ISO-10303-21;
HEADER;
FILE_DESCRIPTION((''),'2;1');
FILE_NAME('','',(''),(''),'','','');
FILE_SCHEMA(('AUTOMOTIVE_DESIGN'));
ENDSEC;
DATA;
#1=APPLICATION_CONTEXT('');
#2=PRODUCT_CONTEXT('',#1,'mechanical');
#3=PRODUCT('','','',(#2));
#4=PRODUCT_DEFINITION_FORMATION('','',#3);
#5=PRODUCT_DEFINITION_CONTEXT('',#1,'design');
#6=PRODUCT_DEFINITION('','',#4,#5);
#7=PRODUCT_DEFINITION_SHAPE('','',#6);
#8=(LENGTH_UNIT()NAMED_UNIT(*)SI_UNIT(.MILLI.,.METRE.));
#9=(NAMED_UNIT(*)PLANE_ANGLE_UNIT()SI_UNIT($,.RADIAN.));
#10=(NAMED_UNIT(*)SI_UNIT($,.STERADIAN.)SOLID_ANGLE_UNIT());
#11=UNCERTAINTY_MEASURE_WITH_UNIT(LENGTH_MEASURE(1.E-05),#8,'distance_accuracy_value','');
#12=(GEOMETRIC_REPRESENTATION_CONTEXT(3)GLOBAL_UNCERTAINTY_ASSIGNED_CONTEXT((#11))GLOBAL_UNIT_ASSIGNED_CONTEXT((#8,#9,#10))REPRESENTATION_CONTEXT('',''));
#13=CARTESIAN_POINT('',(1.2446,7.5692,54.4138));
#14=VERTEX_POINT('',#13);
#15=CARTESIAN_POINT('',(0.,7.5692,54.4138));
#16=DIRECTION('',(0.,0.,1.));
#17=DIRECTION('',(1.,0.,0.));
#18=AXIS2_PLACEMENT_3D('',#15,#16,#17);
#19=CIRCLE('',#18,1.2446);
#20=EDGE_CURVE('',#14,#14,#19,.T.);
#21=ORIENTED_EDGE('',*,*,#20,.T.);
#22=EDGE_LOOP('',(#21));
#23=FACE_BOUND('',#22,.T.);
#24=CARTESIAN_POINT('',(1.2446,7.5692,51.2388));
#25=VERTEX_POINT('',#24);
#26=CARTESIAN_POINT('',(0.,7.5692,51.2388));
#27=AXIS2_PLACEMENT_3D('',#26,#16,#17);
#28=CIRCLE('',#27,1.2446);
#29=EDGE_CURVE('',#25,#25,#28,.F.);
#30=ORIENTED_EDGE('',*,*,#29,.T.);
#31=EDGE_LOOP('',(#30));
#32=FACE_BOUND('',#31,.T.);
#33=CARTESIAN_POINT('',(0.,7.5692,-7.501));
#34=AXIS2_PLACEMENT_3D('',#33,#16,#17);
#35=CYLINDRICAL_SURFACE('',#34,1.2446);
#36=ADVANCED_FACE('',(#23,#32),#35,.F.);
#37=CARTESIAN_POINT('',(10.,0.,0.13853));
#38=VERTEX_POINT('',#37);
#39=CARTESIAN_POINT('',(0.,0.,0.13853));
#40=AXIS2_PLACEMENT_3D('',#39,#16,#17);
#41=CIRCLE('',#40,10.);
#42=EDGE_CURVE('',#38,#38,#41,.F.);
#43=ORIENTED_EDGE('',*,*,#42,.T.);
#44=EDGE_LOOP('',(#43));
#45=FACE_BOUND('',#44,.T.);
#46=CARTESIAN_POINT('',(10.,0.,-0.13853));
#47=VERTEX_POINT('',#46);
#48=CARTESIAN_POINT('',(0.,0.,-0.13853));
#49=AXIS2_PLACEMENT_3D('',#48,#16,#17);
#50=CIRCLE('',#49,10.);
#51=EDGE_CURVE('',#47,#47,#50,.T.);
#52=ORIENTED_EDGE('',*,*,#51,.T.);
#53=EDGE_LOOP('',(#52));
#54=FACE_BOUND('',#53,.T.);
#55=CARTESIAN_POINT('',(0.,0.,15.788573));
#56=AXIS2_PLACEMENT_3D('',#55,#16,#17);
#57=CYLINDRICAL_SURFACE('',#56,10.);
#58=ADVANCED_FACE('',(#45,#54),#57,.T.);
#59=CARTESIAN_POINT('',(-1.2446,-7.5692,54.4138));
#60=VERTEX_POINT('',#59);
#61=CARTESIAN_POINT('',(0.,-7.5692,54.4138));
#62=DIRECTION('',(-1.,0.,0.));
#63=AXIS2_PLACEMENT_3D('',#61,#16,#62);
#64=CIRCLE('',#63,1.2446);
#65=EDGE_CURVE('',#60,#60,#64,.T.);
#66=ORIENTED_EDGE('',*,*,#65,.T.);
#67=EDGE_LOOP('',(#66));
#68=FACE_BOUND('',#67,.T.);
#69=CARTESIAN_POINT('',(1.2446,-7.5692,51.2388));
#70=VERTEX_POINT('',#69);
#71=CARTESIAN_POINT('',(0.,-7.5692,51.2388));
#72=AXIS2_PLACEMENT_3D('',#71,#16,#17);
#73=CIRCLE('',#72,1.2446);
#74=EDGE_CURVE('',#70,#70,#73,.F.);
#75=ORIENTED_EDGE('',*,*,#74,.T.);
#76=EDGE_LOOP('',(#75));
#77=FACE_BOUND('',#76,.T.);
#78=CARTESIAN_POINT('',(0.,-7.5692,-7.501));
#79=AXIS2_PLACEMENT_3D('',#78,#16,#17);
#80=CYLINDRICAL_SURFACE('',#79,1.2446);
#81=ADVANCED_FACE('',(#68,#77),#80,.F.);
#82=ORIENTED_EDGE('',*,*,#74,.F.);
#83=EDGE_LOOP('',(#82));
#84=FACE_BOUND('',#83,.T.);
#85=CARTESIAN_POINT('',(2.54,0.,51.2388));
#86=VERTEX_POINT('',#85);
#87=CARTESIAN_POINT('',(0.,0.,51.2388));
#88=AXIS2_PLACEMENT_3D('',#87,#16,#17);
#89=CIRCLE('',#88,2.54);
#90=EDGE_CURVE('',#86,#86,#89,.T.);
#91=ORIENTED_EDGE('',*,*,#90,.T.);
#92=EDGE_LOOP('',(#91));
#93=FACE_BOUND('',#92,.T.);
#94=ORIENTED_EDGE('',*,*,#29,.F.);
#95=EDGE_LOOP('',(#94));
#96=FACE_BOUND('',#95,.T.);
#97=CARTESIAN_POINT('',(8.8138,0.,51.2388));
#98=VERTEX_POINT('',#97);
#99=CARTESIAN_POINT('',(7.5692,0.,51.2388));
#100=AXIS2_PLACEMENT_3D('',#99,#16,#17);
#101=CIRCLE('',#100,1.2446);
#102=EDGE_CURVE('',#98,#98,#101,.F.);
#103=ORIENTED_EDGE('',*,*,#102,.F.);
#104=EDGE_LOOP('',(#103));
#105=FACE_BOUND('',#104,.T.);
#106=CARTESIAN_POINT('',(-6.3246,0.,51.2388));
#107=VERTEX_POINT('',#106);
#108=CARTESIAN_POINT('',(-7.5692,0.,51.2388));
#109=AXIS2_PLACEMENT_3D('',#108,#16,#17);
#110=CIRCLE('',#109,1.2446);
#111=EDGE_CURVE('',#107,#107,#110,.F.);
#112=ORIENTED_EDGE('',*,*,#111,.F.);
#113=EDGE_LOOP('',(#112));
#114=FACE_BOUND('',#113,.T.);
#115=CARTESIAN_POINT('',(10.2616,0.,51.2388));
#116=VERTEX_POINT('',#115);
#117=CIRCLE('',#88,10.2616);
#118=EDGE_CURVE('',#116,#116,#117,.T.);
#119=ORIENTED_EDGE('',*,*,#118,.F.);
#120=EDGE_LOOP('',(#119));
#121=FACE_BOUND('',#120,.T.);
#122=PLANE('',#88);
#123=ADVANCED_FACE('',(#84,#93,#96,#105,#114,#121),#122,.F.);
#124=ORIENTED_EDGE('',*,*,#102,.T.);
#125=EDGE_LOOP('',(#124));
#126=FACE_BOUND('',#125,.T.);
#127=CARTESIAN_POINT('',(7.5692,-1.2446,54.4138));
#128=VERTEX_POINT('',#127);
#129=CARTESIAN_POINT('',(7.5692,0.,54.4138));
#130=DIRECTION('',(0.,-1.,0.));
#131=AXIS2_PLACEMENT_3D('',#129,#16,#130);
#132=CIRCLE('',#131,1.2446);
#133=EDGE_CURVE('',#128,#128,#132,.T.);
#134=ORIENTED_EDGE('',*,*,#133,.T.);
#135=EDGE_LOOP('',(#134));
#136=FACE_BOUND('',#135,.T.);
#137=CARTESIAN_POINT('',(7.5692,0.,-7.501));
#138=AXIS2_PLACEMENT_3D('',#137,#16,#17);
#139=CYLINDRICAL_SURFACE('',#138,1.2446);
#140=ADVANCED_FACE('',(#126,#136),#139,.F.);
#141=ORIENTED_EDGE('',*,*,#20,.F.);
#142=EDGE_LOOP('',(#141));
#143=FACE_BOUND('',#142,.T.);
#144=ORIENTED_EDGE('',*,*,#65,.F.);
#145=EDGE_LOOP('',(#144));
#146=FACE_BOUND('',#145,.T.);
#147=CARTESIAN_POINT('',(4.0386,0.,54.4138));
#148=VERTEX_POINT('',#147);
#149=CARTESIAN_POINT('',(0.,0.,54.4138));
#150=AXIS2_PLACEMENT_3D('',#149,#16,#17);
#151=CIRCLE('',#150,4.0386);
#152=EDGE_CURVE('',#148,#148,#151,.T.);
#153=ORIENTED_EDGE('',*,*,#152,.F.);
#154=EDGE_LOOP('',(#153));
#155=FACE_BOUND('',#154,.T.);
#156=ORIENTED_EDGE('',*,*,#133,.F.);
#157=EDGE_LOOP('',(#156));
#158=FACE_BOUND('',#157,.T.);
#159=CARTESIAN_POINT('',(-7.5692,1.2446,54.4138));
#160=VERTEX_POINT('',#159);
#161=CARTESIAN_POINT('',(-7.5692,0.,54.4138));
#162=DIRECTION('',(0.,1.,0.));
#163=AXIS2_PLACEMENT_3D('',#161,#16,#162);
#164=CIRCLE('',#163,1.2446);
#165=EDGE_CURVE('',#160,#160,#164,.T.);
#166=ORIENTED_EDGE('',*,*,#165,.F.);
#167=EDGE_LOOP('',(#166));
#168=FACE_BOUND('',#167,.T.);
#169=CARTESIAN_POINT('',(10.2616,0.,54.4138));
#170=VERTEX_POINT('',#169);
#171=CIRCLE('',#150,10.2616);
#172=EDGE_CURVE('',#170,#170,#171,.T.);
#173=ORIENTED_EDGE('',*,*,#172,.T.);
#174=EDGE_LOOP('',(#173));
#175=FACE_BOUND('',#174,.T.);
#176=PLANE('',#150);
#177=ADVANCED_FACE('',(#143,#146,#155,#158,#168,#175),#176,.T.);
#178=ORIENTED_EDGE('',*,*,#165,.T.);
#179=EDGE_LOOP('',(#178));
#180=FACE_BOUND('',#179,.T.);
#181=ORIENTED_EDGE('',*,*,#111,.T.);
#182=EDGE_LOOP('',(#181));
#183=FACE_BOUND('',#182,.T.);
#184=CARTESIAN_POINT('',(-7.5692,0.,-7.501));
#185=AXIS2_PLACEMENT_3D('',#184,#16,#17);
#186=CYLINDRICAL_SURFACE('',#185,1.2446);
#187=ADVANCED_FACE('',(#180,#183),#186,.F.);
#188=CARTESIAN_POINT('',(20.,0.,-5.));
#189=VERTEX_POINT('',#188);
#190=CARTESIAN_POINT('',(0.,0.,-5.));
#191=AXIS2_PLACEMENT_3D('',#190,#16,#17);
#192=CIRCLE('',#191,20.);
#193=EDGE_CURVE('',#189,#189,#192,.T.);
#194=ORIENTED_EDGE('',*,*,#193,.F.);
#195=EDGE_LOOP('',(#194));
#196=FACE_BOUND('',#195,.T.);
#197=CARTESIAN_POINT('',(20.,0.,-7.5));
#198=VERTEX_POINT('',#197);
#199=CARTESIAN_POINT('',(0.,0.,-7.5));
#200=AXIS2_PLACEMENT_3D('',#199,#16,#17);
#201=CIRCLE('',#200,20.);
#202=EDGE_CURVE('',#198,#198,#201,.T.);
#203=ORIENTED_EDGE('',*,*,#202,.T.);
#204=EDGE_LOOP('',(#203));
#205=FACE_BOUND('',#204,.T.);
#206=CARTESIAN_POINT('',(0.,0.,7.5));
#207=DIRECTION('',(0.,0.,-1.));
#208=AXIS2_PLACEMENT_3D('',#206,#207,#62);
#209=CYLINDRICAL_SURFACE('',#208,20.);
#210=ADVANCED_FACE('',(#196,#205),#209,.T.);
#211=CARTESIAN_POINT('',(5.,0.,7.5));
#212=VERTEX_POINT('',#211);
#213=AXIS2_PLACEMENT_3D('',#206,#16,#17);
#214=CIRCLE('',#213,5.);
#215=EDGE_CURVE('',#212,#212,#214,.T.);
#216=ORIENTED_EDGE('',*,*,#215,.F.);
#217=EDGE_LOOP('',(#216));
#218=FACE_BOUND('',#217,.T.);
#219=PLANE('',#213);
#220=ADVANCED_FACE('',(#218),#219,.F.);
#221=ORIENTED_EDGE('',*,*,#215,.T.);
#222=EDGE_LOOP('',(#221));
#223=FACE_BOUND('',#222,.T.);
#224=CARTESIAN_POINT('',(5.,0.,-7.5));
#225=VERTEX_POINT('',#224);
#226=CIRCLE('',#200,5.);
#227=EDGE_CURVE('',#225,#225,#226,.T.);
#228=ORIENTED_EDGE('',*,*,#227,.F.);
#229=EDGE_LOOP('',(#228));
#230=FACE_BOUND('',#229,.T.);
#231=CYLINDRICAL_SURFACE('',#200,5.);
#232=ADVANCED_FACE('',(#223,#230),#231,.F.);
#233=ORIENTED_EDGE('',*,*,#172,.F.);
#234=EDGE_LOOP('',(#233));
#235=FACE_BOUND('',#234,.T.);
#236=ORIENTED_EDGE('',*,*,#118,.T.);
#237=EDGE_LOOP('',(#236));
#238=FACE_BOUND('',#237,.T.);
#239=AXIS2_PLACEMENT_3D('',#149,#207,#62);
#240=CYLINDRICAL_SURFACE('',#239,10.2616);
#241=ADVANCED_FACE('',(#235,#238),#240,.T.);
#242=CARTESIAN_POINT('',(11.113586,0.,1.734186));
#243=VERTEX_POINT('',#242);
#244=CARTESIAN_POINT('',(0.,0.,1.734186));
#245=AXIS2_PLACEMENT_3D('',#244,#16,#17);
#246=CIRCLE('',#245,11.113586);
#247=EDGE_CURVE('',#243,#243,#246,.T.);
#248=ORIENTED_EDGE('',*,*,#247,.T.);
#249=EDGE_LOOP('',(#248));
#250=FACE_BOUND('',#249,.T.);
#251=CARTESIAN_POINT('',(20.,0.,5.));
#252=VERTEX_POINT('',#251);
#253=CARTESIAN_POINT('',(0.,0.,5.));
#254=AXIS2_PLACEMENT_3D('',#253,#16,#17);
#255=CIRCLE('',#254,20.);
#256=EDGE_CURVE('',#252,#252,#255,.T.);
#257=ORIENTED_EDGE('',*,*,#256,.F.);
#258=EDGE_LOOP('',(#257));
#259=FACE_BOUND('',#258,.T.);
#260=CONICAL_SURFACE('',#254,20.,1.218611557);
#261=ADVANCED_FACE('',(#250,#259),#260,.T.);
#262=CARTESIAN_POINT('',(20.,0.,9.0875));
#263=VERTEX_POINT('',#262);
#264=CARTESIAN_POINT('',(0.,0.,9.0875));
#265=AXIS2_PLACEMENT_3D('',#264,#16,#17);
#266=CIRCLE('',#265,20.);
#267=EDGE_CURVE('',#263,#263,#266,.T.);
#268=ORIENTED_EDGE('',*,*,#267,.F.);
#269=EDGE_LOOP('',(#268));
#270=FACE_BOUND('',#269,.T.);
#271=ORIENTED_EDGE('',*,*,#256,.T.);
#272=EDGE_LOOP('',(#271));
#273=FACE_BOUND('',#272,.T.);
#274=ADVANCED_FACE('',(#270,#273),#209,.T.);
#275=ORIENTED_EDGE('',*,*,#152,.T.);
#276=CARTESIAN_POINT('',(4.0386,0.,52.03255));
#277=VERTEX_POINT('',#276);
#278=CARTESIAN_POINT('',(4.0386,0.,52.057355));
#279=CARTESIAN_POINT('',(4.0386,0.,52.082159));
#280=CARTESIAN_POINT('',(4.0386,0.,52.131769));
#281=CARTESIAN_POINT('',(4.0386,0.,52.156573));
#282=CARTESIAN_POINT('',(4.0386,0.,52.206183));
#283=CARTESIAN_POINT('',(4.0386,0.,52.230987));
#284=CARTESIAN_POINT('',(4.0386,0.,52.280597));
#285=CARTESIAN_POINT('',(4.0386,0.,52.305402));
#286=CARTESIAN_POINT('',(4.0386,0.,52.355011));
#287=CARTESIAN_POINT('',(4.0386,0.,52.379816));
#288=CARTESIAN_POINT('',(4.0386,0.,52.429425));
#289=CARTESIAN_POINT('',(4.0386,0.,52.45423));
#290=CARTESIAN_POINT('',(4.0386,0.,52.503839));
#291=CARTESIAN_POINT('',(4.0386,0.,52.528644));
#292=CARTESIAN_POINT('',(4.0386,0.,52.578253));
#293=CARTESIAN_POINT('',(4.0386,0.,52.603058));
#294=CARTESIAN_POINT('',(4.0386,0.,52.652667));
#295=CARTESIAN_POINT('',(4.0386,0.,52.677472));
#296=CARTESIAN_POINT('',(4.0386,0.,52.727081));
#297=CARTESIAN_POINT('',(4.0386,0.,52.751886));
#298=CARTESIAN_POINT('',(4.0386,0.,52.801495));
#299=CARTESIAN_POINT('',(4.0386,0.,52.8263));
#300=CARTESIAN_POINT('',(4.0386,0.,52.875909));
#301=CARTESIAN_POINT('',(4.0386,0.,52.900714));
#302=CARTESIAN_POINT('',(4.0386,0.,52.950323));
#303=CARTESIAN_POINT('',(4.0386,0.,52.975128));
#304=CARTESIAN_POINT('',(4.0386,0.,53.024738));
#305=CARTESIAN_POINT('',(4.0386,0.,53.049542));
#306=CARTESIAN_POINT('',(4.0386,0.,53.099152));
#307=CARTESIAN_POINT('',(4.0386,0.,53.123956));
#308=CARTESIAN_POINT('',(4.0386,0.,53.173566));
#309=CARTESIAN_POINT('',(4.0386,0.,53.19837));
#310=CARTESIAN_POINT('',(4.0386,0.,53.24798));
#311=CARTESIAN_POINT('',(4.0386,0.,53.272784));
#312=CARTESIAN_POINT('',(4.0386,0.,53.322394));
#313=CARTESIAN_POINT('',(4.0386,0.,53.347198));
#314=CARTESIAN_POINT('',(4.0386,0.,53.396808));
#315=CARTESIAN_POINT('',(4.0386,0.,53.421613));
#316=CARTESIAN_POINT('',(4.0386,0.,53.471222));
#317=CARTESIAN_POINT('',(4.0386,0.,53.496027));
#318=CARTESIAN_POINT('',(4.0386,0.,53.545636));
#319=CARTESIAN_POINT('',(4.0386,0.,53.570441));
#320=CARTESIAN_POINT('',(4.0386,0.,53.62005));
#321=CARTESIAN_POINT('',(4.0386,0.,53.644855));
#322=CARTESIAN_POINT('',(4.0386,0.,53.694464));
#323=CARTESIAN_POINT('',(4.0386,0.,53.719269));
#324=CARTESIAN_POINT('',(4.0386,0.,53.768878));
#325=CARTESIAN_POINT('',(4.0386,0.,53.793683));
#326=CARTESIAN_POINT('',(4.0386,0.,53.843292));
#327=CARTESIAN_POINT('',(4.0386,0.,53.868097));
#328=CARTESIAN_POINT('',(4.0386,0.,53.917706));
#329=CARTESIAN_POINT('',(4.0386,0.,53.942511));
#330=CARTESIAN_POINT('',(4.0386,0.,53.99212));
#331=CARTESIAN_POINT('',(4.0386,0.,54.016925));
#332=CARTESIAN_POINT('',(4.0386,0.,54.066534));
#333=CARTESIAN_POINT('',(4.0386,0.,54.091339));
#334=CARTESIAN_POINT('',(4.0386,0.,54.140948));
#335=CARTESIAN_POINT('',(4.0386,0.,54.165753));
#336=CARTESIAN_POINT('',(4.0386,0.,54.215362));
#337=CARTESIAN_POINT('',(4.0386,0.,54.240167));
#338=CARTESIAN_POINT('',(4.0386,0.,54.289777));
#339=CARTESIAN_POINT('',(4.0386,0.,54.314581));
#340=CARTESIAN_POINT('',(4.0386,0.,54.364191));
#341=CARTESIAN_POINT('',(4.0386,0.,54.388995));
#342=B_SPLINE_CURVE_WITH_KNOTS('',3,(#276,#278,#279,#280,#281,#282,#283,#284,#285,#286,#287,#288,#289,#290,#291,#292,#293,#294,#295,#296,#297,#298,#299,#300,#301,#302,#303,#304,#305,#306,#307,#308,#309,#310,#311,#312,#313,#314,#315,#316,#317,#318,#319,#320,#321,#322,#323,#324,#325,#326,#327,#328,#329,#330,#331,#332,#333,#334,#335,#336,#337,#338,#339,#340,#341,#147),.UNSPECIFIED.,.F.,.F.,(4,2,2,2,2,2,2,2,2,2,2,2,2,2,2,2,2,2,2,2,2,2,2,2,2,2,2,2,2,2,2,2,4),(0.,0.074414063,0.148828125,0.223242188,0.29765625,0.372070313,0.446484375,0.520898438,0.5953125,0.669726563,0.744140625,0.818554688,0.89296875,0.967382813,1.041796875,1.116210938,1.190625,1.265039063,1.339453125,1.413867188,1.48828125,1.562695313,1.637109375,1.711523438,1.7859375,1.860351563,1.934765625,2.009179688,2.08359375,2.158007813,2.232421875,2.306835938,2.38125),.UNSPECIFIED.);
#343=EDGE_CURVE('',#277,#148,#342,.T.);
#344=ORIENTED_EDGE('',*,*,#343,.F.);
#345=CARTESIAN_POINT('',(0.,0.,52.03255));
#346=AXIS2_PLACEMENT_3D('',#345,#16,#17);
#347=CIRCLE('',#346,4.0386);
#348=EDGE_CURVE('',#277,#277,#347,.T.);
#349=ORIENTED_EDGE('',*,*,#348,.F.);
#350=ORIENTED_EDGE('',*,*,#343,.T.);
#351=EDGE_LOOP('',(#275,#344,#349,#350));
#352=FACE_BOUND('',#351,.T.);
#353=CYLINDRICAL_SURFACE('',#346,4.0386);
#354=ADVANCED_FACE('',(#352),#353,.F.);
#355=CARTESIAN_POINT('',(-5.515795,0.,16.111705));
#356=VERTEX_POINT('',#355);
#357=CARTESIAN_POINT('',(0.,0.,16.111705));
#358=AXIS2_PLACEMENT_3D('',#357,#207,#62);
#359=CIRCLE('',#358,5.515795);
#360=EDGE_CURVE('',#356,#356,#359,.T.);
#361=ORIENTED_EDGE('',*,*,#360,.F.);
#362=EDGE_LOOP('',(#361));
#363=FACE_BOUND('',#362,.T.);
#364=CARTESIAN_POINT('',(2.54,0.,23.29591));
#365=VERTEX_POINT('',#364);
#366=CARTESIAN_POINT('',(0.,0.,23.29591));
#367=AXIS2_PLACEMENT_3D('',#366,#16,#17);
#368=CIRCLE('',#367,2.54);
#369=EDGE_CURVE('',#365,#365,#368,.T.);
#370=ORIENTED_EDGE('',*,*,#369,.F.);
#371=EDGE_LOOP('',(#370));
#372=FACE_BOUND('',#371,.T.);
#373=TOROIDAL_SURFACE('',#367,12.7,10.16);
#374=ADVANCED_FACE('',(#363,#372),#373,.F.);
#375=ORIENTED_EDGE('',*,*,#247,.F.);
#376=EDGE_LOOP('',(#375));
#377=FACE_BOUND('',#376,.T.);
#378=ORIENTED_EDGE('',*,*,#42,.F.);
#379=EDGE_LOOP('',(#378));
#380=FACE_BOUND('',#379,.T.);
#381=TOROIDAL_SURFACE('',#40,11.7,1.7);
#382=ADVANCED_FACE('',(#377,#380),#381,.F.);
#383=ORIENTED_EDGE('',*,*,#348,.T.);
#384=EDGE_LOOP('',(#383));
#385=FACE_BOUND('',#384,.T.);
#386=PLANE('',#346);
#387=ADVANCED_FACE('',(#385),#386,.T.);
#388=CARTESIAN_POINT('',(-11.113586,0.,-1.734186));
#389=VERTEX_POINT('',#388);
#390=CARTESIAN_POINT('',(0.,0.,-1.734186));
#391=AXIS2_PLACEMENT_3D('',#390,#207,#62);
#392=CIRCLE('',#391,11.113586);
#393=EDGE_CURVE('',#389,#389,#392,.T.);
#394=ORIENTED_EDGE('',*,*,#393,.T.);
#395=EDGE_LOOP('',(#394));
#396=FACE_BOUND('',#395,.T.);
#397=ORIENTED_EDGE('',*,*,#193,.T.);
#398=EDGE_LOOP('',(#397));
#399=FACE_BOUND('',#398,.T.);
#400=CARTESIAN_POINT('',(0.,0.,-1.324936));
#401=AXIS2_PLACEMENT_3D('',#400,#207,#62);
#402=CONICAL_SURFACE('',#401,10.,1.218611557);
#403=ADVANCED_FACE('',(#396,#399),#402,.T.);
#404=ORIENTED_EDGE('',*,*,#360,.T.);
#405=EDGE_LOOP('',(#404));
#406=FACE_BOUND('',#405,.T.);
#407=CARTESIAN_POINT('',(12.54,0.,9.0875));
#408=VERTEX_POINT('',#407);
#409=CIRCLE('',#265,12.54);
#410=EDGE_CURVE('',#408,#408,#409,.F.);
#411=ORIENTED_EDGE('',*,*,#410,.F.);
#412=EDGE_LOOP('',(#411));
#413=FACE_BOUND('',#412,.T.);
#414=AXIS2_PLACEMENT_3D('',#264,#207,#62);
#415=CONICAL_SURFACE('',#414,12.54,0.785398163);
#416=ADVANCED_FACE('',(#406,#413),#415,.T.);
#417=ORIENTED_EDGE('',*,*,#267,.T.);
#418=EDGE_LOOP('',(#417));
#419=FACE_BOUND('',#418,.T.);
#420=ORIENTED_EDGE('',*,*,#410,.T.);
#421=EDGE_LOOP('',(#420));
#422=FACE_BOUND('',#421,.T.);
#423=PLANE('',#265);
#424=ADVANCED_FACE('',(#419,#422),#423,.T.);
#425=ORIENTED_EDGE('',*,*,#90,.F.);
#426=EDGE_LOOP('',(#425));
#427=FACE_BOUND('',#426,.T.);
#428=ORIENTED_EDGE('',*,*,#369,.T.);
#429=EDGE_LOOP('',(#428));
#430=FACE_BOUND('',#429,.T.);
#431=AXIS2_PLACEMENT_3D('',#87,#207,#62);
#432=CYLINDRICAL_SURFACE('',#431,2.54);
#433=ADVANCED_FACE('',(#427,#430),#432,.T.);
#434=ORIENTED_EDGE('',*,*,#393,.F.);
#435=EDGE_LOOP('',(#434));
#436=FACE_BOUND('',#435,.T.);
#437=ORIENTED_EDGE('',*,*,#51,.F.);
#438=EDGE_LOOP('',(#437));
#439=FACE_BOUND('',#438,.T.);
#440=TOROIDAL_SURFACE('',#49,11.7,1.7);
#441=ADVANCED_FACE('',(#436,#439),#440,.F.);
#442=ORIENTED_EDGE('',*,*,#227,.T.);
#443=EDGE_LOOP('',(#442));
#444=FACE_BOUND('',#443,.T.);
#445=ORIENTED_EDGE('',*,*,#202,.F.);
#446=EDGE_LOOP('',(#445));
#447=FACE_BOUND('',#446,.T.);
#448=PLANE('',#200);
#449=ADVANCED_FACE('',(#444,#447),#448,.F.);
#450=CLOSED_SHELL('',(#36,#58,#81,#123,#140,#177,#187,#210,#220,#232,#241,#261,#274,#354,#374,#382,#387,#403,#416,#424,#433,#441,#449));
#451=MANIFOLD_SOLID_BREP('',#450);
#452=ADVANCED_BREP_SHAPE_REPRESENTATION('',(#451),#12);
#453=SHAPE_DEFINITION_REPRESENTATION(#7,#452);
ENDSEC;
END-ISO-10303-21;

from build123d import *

# Parameters (mm, degrees)
ESQUISSE1_R                  = 20
BOSS_EXTRU_1_DEPTH           = 7.5
CONG_1_R                     = 1.7
CONG_3_R                     = 1.7
ESQUISSE5_R                  = 5
ENL_V_MAT_EXTRU_1_DEPTH      = 33.015621312
ESQUISSE8_R                  = 2.54
BOSS_EXTRU_3_DEPTH           = 43.7388
BOSS_EXTRU_4_START           = 1.5875
ESQUISSE9_R                  = 20
BOSS_EXTRU_4_DEPTH           = 1.5875
ESQUISSE10_R                 = 10.2616
BOSS_EXTRU_5_DEPTH           = 3.175
ENL_V_MAT_EXTRU_3_REACH      = 70.068
ESQUISSE11_R                 = 1.2446
R_P_TITION_CIRCULAIRE2_COUNT = 4
ESQUISSE12_R                 = 4.0386
ENL_V_MAT_EXTRU_4_DEPTH      = 2.38125
CHAMFER1_SIZE                = 10
FILLET1_R                    = 10.16


with BuildPart() as part:
    # Esquisse1 → Boss.-Extru.1 (new, symmetric)
    with BuildSketch(Plane.XY):
        Circle(ESQUISSE1_R)
    extrude(amount=BOSS_EXTRU_1_DEPTH, both=True)

    # Esquisse4 → Enlèvement de matière-Révolution1 (revolve, cut)
    with BuildSketch(Plane(origin=(0, 0, 0), x_dir=(0, 0, -1), z_dir=(1, 0, 0)), mode=Mode.PRIVATE) as enl_vement_de_mati_re_r_volution1_sk:
        Polygon((-5, 20), (-1.324936438, 10), (1.324936438, 10), (5, 20), align=None)
    revolve(enl_vement_de_mati_re_r_volution1_sk.sketch.rotate(Axis((0, 0, 15.788572615), (0, 0, -1)), 90), axis=Axis((0, 0, 15.788572615), (0, 0, -1)), mode=Mode.SUBTRACT)

    # Congé1
    cong_1_edges = [part.edges().sort_by_distance(p)[0] for p in [
        (-10, 0, -1.324936438),
    ]]
    fillet(cong_1_edges, radius=CONG_1_R)

    # Congé3
    cong_3_edges = [part.edges().sort_by_distance(p)[0] for p in [
        (-10, 0, 1.324936438),
    ]]
    fillet(cong_3_edges, radius=CONG_3_R)

    # Esquisse5 → Enlèv. mat.-Extru.1 (cut, through all)
    with BuildSketch(Plane.XY.offset(7.5)):
        Circle(ESQUISSE5_R)
    extrude(amount=-ENL_V_MAT_EXTRU_1_DEPTH, mode=Mode.SUBTRACT)



with BuildPart() as body_2:
    # Esquisse8 → Boss.-Extru.3 (new body)
    with BuildSketch(Plane.XY.offset(7.5)):
        Circle(ESQUISSE8_R)
    extrude(amount=BOSS_EXTRU_3_DEPTH)


with BuildPart() as part_1:
    add(part.part)

    add(body_2.part)  # Boss.-Extru.4 merges body 2
    # Esquisse9 → Boss.-Extru.4 (add)
    with BuildSketch(Plane.XY.offset(7.5).offset(BOSS_EXTRU_4_START)):
        Circle(ESQUISSE9_R)
    extrude(amount=-BOSS_EXTRU_4_DEPTH)

    # Esquisse10 → Boss.-Extru.5 (add)
    with BuildSketch(Plane.XY.offset(51.2388)):
        Circle(ESQUISSE10_R)
    extrude(amount=BOSS_EXTRU_5_DEPTH)

    # Esquisse11 → Enlèv. mat.-Extru.3 (cut, up to next)
    with BuildSketch(Plane.XY.offset(54.4138), mode=Mode.PRIVATE) as enl_v_mat_extru_3_sk1:
        with Locations((0, 7.5692)):
            Circle(ESQUISSE11_R)
    enl_v_mat_extru_3_tool1 = extrude(enl_v_mat_extru_3_sk1.sketch, amount=-ENL_V_MAT_EXTRU_3_REACH, mode=Mode.PRIVATE) & part_1.part
    enl_v_mat_extru_3 = enl_v_mat_extru_3_tool1.solids().sort_by_distance((0, 7.5692, 54.4138))[0]
    add(enl_v_mat_extru_3, mode=Mode.SUBTRACT)

    # Répétition circulaire2: Enlèv. mat.-Extru.3 ×4 about axis
    r_p_tition_circulaire2_axis = Axis((0, 0, 0), (0, 0, 1))
    for i in range(1, R_P_TITION_CIRCULAIRE2_COUNT):
        add(enl_v_mat_extru_3.rotate(r_p_tition_circulaire2_axis, i * 360 / R_P_TITION_CIRCULAIRE2_COUNT), mode=Mode.SUBTRACT)

    # Esquisse12 → Enlèv. mat.-Extru.4 (cut)
    with BuildSketch(Plane.XY.offset(54.4138)):
        Circle(ESQUISSE12_R)
    extrude(amount=-ENL_V_MAT_EXTRU_4_DEPTH, mode=Mode.SUBTRACT)

    # Chamfer1
    chamfer1_edges = [part_1.edges().sort_by_distance(p)[0] for p in [
        (-2.54, 0, 9.0875),
    ]]
    chamfer(chamfer1_edges, length=CHAMFER1_SIZE)

    # Fillet1
    fillet1_edges = [part_1.edges().sort_by_distance(p)[0] for p in [
        (-2.54, 0, 19.0875),
    ]]
    fillet(fillet1_edges, radius=FILLET1_R)


solid = part_1.part
